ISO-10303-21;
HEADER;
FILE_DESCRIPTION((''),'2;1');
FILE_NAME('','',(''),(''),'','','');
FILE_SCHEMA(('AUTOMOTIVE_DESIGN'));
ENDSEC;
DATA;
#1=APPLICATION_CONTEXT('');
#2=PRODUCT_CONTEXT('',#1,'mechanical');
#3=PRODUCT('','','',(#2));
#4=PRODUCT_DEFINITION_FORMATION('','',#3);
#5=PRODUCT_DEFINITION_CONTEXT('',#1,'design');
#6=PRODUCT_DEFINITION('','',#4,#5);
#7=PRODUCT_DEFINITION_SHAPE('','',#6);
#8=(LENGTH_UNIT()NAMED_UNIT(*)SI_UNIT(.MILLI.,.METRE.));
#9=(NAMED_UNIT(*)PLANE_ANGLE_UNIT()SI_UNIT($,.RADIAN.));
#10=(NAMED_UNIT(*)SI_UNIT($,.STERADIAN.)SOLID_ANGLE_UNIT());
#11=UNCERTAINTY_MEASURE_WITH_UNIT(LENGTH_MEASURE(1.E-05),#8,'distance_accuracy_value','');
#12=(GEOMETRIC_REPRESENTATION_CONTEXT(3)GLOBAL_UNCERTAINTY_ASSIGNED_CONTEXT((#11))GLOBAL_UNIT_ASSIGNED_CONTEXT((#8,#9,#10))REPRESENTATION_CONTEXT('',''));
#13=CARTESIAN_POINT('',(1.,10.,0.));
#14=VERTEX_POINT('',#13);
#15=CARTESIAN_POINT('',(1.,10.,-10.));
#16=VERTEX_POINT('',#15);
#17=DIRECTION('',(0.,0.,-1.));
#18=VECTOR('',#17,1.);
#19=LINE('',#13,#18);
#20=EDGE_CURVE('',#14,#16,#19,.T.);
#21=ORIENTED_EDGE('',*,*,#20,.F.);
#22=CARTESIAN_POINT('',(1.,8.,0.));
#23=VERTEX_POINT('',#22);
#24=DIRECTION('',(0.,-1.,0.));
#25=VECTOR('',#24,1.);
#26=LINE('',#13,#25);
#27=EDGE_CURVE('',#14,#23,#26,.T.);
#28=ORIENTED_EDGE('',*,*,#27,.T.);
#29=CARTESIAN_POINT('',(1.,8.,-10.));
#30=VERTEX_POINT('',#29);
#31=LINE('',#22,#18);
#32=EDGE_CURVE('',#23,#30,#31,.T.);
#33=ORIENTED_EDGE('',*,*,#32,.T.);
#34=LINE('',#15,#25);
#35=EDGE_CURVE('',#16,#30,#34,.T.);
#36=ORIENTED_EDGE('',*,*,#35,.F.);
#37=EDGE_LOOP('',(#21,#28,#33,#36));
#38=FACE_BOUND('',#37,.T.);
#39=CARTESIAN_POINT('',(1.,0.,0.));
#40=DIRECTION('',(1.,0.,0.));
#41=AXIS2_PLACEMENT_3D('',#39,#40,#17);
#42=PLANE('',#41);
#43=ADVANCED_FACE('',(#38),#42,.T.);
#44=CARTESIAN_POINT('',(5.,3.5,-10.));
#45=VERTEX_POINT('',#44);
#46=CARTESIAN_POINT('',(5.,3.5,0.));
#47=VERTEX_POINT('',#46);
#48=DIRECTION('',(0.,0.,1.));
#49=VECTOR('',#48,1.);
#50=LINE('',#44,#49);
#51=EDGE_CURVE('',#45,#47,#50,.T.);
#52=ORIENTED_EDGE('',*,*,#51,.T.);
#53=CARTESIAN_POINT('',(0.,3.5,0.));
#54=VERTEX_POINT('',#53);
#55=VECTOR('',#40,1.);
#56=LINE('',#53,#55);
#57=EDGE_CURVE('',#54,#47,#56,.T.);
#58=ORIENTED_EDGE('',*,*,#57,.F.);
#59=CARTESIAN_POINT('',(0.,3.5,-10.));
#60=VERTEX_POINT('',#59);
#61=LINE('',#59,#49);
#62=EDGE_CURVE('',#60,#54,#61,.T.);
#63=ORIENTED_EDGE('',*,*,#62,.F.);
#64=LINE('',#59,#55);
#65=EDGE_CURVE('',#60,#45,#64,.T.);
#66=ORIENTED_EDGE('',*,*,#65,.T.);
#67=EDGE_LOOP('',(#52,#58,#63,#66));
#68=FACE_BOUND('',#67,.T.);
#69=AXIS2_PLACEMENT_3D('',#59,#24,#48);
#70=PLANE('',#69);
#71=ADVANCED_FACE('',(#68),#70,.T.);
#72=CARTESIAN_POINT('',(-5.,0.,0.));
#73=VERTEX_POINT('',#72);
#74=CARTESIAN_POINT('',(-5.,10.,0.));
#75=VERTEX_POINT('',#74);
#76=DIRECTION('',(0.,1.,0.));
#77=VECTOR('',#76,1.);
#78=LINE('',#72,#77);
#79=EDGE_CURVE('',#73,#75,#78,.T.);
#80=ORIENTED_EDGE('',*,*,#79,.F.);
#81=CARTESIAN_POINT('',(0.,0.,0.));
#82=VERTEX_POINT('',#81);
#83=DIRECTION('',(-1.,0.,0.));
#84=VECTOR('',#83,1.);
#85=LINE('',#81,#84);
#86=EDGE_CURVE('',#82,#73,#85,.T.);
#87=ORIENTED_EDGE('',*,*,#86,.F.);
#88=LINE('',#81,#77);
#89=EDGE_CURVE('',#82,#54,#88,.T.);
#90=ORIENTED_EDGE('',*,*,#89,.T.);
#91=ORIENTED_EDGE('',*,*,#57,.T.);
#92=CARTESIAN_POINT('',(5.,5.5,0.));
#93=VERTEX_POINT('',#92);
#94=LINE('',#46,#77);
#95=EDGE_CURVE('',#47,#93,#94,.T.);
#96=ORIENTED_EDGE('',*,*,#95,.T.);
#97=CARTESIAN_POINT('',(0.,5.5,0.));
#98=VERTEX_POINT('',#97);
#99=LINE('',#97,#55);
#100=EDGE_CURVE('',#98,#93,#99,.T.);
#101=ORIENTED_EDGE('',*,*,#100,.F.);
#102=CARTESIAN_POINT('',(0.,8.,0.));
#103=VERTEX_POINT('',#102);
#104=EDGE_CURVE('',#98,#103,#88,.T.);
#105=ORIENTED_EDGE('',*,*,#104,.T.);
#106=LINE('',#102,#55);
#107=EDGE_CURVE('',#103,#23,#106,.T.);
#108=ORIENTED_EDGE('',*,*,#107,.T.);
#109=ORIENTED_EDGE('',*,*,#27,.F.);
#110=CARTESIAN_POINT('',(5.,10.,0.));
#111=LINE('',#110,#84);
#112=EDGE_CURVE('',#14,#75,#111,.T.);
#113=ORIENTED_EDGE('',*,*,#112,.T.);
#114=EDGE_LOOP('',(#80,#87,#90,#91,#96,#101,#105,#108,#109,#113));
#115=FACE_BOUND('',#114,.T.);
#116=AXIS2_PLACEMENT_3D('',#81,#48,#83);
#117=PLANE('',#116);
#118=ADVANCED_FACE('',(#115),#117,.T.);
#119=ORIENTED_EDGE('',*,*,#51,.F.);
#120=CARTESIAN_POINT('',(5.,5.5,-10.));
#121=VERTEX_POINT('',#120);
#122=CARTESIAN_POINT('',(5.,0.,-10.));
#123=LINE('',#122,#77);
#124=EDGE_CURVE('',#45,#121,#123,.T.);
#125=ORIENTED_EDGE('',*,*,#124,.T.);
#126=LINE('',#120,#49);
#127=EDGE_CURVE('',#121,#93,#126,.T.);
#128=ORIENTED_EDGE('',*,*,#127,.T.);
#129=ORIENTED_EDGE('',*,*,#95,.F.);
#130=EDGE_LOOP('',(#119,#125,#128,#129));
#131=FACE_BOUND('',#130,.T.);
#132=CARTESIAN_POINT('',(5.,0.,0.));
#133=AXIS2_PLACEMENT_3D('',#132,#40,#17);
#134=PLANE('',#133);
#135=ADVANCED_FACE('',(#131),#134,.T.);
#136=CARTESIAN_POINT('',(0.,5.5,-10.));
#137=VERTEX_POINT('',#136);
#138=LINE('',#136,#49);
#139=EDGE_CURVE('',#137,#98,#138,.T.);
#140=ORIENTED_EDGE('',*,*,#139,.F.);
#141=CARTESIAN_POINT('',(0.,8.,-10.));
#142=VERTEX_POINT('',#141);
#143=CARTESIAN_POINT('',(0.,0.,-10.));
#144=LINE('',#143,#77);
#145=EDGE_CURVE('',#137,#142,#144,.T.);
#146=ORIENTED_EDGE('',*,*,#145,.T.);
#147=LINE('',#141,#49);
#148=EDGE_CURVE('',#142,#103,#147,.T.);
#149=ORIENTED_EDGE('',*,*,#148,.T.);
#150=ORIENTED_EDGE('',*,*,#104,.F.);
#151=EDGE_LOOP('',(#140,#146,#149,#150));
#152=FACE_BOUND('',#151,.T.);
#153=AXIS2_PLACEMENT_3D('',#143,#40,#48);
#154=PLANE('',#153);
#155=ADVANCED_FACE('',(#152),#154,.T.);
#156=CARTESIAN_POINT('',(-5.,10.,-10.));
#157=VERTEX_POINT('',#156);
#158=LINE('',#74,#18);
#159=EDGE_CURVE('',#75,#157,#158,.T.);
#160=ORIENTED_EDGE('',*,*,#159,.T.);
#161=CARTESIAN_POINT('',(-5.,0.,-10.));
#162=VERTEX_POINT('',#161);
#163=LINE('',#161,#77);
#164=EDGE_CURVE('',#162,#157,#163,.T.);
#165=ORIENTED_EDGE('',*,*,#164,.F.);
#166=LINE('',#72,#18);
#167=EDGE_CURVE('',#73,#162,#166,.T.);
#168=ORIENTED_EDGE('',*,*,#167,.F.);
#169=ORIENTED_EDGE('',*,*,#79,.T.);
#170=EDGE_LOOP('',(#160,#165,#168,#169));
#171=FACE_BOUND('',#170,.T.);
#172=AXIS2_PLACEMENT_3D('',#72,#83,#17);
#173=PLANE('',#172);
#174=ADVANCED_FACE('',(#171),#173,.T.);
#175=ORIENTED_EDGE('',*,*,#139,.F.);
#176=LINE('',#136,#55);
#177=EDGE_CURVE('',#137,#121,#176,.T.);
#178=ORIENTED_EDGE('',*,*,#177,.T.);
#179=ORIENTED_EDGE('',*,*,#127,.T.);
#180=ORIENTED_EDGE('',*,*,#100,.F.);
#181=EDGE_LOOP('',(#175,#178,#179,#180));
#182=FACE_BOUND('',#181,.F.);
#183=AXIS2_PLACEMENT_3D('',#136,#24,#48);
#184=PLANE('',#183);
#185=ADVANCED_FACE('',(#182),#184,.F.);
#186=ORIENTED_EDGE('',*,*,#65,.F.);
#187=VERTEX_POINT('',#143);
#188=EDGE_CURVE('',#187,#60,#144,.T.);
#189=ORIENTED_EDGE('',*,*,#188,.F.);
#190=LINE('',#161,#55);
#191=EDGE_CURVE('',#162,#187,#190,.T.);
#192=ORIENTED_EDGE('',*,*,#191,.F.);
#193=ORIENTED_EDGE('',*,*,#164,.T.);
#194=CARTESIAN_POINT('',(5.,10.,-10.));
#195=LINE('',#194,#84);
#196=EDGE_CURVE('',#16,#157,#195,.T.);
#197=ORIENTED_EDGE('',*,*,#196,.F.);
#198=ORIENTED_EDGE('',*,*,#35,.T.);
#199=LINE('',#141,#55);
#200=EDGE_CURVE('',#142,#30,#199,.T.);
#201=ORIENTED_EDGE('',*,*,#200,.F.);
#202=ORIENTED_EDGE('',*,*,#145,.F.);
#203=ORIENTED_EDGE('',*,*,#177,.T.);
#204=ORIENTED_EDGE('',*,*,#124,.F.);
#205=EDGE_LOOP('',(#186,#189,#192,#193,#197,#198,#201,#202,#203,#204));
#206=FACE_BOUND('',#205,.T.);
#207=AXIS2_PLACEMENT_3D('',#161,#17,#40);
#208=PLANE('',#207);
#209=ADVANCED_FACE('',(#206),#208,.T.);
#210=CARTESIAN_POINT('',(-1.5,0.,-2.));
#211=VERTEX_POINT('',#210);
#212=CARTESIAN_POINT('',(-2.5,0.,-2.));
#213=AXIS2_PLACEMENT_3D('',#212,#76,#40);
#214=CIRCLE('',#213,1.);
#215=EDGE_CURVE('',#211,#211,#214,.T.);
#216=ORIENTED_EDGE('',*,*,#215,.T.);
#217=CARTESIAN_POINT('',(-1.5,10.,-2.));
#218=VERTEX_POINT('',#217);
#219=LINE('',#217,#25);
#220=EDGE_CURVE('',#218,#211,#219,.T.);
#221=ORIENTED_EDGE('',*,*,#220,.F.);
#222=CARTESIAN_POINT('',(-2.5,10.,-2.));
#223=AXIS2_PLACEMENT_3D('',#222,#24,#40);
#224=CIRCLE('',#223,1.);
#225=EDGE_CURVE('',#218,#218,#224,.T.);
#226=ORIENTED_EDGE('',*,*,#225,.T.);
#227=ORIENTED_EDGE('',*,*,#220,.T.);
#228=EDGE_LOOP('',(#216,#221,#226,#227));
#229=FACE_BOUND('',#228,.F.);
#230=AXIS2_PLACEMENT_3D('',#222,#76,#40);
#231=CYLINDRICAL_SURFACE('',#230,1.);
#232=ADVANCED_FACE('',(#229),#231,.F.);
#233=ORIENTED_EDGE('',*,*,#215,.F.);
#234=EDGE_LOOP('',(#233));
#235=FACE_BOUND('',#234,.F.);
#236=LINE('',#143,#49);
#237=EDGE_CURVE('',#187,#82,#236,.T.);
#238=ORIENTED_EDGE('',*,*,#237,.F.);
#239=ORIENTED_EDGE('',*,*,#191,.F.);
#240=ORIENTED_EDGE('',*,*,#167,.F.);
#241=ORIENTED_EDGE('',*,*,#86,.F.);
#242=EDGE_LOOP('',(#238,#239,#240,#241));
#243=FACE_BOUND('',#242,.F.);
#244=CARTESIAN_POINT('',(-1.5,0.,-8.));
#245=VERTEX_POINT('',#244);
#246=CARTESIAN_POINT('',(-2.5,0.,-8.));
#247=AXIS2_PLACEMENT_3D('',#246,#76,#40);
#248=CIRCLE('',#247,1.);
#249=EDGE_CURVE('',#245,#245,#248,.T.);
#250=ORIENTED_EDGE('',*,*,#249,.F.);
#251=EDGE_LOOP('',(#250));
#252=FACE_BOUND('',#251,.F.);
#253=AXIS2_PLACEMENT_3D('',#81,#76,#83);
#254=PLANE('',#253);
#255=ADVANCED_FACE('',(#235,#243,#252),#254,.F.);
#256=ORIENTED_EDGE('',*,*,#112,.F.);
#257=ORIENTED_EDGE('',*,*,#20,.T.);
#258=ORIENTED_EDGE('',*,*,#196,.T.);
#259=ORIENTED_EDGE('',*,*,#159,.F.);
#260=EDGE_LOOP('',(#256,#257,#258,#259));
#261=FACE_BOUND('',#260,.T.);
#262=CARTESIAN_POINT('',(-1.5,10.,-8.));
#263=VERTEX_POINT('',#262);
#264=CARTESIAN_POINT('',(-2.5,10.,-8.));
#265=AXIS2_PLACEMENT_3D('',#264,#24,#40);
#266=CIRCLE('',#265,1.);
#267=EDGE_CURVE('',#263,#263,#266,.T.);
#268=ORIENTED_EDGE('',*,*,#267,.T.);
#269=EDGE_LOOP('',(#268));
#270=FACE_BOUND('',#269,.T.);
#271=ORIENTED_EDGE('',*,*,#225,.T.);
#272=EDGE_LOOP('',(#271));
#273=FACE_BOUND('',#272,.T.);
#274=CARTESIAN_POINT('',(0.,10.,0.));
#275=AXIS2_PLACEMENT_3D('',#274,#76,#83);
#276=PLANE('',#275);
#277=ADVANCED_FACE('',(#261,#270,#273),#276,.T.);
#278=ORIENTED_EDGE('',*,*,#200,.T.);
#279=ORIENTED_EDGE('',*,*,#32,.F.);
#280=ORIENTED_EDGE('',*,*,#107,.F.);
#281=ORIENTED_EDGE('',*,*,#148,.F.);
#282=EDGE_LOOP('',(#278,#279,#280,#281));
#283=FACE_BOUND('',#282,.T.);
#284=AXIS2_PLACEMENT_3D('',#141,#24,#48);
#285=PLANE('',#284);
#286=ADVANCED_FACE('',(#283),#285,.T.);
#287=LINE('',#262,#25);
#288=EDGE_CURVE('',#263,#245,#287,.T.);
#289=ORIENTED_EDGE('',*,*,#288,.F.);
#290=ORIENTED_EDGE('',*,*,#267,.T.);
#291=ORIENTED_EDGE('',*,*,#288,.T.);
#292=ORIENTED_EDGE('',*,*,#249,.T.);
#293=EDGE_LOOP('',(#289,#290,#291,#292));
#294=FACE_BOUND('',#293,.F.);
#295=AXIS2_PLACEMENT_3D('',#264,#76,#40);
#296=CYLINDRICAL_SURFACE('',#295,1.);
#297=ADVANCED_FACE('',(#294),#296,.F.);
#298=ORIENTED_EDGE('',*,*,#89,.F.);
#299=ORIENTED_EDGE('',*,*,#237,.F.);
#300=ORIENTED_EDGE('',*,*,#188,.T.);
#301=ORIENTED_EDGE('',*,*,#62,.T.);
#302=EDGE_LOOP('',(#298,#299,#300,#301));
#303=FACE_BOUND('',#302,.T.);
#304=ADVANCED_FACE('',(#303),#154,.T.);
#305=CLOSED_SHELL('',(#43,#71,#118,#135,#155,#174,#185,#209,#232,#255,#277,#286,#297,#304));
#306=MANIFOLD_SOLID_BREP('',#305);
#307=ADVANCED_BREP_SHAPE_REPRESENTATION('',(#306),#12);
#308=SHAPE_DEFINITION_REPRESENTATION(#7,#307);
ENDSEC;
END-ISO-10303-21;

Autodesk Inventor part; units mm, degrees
ref_plane "YZ Plane" through (0, 0, 0) normal (1, 0, 0) x (0, 1, 0)
ref_plane "XZ Plane" through (0, 0, 0) normal (0, 1, 0) x (-1, 0, 0)
ref_plane "XY Plane" through (0, 0, 0) normal (0, 0, 1) x (1, 0, 0)
sketch "Sketch1" plane through (0, 0, 0) normal (0, 1, 0) x (-1, 0, 0)
  line L0 (0, 0) -> (5, 0)
  line L1 (5, 0) -> (5, -10)
  line L2 (5, -10) -> (0, -10)
  line L3 (0, -10) -> (0, 0)
  dimension "d0" = 5
  dimension "d1" = 10
extrude "Extrusion1" add sketch "Sketch1" along normal blind 10
sketch "Sketch2" plane through (0, 0, 0) normal (1, 0, 0) x (0, 0, -1)
  line L0 (10, 10) -> (0, 10) projected
  line L1 (10, 0) -> (10, 10) projected
  line L2 (0, 10) -> (10, 10)
  line L3 (10, 10) -> (10, 8)
  line L4 (10, 8) -> (0, 8)
  line L5 (0, 8) -> (0, 10)
  line L6 (0, 8) -> (10, 8)
  line L7 (10, 8) -> (10, 5.5)
  line L8 (10, 5.5) -> (0, 5.5)
  line L9 (0, 5.5) -> (0, 8)
  line L10 (0, 5.5) -> (10, 5.5)
  line L11 (10, 5.5) -> (10, 3.5)
  line L12 (10, 3.5) -> (0, 3.5)
  line L13 (0, 3.5) -> (0, 5.5)
  point P0 (0, 0)
  dimension "d4" = 2
  dimension "d5" = 2.5
  dimension "d6" = 2
extrude "Extrusion2" add sketch "Sketch2" along normal blind 5 contours L1 L4 L5 L0 | L1 L12 L13 L8
sketch "Sketch3" plane through (0, 10, 0) normal (0, 1, 0) x (1, 0, 0)
  line L0 (-5, 10) -> (-5, 0) projected
  line L1 (-5, 0) -> (-2.5, 0)
  line L2 (-2.5, 0) -> (-2.5, 2)
  line L3 (-2.5, 2) -> (-5, 2)
  line L4 (-5, 2) -> (-5, 0)
  line L5 (0, 10) -> (-5, 10) projected
  line L6 (-5, 10) -> (-2.5, 10)
  line L7 (-2.5, 10) -> (-2.5, 8)
  line L8 (-2.5, 8) -> (-5, 8)
  line L9 (-5, 8) -> (-5, 10)
  circle A0 centre (-2.5, 2) radius 1
  circle A1 centre (-2.5, 8) radius 1
  point P0 (0, 0)
  dimension "d9" = 2.5
  dimension "d10" = 2
  dimension "d11" = 2.5
  dimension "d12" = 2
  dimension "d13" = 2
  dimension "d14" = 2
extrude "Extrusion3" cut sketch "Sketch3" against normal blind 20 contours A1 L7 L8 | L8 L7 A1 | A0 L2 L3 | L3 L2 A0
sketch "Sketch4" plane through (5, 0, 0) normal (1, 0, 0) x (0, 0, -1)
  line L0 (0, 10) -> (0, 8) projected
  line L1 (0, 8) -> (10, 8) projected
  line L2 (0, 10) -> (10, 10)
  line L3 (10, 10) -> (10, 8)
  line L4 (10, 8) -> (0, 8)
  line L5 (0, 8) -> (0, 10)
  point P0 (0, 0)
extrude "Extrusion4" cut sketch "Sketch4" against normal blind 4
properties part number "suport1_pcb_temp"
